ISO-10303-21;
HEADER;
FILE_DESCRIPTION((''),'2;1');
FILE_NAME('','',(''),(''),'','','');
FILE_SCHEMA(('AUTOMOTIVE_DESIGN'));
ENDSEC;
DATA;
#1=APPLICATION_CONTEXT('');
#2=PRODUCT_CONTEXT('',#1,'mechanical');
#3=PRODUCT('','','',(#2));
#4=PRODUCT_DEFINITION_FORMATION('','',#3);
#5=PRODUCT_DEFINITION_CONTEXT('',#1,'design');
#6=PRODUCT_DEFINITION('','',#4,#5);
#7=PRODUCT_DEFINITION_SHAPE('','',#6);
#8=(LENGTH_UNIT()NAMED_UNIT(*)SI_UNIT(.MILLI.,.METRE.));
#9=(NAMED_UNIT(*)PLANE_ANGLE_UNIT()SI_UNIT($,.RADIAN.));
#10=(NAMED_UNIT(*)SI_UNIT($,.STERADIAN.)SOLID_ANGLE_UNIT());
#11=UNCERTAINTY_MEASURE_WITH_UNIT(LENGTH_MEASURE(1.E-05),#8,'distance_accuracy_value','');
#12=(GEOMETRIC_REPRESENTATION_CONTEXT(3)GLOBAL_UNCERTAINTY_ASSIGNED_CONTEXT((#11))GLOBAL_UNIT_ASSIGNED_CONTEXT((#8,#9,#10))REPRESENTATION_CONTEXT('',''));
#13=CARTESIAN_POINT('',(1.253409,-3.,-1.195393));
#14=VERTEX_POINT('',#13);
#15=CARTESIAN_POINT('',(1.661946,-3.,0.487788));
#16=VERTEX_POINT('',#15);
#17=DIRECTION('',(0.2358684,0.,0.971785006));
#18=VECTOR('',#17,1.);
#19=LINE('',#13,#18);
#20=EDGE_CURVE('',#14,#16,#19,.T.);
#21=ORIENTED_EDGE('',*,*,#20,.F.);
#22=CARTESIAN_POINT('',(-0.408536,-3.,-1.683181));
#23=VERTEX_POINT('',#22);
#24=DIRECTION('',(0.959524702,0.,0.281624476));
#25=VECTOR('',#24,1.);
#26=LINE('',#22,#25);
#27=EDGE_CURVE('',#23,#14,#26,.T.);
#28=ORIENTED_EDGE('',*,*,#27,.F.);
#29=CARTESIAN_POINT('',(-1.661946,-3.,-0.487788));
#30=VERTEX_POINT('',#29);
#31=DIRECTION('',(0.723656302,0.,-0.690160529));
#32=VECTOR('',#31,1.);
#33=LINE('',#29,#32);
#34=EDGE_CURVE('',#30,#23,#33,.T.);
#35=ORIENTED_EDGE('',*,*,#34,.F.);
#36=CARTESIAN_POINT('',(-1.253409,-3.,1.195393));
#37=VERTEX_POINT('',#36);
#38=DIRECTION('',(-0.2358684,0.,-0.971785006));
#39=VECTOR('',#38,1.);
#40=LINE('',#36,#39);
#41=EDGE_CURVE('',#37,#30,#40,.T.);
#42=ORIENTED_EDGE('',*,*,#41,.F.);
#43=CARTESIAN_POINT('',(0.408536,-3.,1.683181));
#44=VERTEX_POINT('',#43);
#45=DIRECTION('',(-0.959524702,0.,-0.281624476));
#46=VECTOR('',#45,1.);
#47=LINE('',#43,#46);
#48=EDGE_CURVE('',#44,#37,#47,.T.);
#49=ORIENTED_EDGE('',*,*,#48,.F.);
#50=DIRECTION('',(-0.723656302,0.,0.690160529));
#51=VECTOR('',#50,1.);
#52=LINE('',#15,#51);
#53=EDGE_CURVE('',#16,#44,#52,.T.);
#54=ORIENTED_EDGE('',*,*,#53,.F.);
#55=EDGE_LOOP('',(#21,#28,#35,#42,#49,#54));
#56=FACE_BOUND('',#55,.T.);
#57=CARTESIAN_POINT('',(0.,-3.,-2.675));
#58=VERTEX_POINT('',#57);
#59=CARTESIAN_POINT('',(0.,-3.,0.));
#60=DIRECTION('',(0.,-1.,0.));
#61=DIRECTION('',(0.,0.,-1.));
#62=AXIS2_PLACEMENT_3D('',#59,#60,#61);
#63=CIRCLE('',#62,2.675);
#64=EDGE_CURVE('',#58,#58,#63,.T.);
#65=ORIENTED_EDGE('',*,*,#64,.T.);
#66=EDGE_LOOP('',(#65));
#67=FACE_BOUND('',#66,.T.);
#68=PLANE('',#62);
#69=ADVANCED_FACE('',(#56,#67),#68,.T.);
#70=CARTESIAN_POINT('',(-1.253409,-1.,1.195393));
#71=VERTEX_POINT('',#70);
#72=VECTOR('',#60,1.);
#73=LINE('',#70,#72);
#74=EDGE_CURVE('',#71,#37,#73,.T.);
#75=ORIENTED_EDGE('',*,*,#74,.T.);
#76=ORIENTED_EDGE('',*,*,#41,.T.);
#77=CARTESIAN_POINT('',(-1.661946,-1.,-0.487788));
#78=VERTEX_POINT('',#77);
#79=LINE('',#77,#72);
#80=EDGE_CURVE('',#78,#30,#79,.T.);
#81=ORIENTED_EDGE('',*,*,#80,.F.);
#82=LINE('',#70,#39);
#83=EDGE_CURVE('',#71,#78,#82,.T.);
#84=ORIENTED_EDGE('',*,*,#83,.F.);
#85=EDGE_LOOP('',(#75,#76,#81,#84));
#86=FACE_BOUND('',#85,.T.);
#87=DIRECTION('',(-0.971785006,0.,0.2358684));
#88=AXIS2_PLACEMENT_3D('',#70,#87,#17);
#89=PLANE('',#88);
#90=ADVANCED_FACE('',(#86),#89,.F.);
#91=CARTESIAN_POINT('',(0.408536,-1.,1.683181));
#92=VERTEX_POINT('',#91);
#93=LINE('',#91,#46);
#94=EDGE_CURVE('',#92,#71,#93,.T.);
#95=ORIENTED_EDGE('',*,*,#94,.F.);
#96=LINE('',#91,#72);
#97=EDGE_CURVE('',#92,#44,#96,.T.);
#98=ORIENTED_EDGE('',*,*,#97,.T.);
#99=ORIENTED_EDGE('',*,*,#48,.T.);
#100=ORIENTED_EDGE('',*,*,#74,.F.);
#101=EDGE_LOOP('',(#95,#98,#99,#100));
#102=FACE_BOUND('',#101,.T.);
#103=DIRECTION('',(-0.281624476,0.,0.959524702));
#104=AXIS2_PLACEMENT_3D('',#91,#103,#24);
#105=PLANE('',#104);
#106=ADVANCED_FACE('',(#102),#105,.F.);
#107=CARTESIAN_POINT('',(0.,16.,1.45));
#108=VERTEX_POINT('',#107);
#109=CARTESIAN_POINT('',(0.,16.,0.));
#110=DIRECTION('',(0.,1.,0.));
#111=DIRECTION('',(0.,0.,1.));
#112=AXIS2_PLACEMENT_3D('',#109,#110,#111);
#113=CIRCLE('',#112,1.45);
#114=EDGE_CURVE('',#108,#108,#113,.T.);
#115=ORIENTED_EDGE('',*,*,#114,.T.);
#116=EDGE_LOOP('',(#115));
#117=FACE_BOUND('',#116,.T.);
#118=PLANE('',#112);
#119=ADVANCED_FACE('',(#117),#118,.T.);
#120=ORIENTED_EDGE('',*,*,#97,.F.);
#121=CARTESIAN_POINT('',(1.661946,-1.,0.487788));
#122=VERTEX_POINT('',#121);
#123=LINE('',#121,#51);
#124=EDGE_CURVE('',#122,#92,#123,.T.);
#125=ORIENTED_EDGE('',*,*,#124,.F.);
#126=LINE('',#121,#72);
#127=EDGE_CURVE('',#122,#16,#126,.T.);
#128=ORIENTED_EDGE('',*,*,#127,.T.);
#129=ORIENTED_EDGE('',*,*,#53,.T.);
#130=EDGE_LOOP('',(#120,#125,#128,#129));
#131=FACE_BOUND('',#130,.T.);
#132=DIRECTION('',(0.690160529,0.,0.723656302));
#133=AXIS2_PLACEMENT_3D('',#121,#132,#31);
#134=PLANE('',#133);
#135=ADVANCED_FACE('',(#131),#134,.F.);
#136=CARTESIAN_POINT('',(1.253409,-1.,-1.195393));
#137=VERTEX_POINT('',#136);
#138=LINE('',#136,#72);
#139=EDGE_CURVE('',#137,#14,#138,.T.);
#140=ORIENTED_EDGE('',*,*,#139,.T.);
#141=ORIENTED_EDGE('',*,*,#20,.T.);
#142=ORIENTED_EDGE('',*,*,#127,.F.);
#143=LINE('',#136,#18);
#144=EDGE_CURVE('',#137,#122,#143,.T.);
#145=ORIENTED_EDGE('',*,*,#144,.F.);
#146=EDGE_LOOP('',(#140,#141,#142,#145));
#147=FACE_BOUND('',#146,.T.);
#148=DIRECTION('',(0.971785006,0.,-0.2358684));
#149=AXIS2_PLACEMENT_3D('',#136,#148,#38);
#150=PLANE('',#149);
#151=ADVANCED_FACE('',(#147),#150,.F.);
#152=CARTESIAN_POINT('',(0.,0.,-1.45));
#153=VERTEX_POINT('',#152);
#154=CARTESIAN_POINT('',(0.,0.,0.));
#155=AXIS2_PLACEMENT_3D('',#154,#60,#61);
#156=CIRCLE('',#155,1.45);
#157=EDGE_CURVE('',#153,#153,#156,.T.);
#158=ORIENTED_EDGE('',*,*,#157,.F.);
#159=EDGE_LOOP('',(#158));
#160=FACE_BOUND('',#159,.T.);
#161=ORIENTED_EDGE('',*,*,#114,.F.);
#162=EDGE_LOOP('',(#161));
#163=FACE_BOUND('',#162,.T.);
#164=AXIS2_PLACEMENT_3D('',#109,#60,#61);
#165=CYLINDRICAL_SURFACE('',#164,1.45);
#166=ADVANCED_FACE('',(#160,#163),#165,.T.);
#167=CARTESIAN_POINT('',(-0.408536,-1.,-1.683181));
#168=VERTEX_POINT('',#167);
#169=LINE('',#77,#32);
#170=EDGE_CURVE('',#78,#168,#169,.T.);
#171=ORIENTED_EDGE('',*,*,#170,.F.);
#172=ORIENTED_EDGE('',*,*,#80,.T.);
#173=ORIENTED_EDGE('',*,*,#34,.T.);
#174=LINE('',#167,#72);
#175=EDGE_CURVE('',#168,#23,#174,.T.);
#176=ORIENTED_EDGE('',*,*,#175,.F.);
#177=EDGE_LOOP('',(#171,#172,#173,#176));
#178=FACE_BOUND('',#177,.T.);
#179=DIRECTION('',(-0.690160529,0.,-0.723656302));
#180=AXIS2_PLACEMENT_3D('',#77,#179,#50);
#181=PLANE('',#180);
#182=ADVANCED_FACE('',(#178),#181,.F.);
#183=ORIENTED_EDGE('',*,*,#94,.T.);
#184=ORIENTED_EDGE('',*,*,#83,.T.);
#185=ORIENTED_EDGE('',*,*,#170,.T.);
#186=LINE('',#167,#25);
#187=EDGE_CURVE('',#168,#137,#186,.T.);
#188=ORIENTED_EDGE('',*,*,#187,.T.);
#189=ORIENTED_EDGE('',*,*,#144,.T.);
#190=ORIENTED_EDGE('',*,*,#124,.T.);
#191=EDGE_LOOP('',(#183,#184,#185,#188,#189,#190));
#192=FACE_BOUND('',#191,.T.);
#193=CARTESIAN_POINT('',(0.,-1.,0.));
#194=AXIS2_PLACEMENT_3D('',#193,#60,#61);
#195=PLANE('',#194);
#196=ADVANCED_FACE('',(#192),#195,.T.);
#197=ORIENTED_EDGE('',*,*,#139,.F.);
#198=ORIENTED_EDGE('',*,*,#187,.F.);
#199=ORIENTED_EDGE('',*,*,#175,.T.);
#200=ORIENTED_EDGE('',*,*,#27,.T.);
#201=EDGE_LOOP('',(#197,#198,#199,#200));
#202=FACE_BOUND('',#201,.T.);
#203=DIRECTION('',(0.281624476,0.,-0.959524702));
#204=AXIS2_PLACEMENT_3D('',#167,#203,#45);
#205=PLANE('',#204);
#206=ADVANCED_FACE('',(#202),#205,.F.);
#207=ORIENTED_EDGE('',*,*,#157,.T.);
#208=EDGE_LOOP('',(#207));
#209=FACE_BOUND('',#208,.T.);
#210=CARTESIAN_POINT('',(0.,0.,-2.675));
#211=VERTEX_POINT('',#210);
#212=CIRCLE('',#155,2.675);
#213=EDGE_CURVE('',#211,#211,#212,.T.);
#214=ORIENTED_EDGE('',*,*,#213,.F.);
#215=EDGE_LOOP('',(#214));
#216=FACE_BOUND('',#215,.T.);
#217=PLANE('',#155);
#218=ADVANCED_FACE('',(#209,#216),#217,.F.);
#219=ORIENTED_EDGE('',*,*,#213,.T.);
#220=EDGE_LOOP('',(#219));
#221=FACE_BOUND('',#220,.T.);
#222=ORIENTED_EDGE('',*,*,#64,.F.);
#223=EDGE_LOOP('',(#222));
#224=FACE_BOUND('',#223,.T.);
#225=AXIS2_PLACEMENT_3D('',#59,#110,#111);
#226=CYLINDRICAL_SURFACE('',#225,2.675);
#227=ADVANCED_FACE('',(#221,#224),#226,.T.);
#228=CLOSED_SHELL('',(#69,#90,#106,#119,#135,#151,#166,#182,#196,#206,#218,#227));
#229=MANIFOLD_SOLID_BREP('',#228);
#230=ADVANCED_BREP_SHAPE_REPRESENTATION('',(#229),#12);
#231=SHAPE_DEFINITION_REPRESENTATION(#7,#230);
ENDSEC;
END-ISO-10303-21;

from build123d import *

# Parameters (mm, degrees)
SKETCH1_R           = 1.45
BOSS_EXTRUDE1_DEPTH = 16
SKETCH2_R           = 2.675
BOSS_EXTRUDE2_DEPTH = 3
CUT_EXTRUDE1_DEPTH  = 2


with BuildPart() as part:
    # Sketch1 → Boss-Extrude1 (new body)
    with BuildSketch(Plane(origin=(0, 0, 0), x_dir=(1, 0, 0), z_dir=(0, 1, 0))):
        with Locations(Location((0, 0, 0), (0, 0, 270))):
            Circle(SKETCH1_R)
    extrude(amount=BOSS_EXTRUDE1_DEPTH)

    # Sketch2 → Boss-Extrude2 (add)
    with BuildSketch(Plane.XZ):
        with Locations(Location((0, 0, 0), (0, 0, 270))):
            Circle(SKETCH2_R)
    extrude(amount=BOSS_EXTRUDE2_DEPTH)

    # Sketch3 → Cut-Extrude1 (cut)
    with BuildSketch(Plane.XZ.offset(3)):
        Polygon((1.661945535, 0.487787902), (0.408536053, 1.683181004), (-1.253409482, 1.195393102), (-1.661945535, -0.487787902), (-0.408536053, -1.683181004), (1.253409482, -1.195393102), align=None)
    extrude(amount=-CUT_EXTRUDE1_DEPTH, mode=Mode.SUBTRACT)


solid = part.part
